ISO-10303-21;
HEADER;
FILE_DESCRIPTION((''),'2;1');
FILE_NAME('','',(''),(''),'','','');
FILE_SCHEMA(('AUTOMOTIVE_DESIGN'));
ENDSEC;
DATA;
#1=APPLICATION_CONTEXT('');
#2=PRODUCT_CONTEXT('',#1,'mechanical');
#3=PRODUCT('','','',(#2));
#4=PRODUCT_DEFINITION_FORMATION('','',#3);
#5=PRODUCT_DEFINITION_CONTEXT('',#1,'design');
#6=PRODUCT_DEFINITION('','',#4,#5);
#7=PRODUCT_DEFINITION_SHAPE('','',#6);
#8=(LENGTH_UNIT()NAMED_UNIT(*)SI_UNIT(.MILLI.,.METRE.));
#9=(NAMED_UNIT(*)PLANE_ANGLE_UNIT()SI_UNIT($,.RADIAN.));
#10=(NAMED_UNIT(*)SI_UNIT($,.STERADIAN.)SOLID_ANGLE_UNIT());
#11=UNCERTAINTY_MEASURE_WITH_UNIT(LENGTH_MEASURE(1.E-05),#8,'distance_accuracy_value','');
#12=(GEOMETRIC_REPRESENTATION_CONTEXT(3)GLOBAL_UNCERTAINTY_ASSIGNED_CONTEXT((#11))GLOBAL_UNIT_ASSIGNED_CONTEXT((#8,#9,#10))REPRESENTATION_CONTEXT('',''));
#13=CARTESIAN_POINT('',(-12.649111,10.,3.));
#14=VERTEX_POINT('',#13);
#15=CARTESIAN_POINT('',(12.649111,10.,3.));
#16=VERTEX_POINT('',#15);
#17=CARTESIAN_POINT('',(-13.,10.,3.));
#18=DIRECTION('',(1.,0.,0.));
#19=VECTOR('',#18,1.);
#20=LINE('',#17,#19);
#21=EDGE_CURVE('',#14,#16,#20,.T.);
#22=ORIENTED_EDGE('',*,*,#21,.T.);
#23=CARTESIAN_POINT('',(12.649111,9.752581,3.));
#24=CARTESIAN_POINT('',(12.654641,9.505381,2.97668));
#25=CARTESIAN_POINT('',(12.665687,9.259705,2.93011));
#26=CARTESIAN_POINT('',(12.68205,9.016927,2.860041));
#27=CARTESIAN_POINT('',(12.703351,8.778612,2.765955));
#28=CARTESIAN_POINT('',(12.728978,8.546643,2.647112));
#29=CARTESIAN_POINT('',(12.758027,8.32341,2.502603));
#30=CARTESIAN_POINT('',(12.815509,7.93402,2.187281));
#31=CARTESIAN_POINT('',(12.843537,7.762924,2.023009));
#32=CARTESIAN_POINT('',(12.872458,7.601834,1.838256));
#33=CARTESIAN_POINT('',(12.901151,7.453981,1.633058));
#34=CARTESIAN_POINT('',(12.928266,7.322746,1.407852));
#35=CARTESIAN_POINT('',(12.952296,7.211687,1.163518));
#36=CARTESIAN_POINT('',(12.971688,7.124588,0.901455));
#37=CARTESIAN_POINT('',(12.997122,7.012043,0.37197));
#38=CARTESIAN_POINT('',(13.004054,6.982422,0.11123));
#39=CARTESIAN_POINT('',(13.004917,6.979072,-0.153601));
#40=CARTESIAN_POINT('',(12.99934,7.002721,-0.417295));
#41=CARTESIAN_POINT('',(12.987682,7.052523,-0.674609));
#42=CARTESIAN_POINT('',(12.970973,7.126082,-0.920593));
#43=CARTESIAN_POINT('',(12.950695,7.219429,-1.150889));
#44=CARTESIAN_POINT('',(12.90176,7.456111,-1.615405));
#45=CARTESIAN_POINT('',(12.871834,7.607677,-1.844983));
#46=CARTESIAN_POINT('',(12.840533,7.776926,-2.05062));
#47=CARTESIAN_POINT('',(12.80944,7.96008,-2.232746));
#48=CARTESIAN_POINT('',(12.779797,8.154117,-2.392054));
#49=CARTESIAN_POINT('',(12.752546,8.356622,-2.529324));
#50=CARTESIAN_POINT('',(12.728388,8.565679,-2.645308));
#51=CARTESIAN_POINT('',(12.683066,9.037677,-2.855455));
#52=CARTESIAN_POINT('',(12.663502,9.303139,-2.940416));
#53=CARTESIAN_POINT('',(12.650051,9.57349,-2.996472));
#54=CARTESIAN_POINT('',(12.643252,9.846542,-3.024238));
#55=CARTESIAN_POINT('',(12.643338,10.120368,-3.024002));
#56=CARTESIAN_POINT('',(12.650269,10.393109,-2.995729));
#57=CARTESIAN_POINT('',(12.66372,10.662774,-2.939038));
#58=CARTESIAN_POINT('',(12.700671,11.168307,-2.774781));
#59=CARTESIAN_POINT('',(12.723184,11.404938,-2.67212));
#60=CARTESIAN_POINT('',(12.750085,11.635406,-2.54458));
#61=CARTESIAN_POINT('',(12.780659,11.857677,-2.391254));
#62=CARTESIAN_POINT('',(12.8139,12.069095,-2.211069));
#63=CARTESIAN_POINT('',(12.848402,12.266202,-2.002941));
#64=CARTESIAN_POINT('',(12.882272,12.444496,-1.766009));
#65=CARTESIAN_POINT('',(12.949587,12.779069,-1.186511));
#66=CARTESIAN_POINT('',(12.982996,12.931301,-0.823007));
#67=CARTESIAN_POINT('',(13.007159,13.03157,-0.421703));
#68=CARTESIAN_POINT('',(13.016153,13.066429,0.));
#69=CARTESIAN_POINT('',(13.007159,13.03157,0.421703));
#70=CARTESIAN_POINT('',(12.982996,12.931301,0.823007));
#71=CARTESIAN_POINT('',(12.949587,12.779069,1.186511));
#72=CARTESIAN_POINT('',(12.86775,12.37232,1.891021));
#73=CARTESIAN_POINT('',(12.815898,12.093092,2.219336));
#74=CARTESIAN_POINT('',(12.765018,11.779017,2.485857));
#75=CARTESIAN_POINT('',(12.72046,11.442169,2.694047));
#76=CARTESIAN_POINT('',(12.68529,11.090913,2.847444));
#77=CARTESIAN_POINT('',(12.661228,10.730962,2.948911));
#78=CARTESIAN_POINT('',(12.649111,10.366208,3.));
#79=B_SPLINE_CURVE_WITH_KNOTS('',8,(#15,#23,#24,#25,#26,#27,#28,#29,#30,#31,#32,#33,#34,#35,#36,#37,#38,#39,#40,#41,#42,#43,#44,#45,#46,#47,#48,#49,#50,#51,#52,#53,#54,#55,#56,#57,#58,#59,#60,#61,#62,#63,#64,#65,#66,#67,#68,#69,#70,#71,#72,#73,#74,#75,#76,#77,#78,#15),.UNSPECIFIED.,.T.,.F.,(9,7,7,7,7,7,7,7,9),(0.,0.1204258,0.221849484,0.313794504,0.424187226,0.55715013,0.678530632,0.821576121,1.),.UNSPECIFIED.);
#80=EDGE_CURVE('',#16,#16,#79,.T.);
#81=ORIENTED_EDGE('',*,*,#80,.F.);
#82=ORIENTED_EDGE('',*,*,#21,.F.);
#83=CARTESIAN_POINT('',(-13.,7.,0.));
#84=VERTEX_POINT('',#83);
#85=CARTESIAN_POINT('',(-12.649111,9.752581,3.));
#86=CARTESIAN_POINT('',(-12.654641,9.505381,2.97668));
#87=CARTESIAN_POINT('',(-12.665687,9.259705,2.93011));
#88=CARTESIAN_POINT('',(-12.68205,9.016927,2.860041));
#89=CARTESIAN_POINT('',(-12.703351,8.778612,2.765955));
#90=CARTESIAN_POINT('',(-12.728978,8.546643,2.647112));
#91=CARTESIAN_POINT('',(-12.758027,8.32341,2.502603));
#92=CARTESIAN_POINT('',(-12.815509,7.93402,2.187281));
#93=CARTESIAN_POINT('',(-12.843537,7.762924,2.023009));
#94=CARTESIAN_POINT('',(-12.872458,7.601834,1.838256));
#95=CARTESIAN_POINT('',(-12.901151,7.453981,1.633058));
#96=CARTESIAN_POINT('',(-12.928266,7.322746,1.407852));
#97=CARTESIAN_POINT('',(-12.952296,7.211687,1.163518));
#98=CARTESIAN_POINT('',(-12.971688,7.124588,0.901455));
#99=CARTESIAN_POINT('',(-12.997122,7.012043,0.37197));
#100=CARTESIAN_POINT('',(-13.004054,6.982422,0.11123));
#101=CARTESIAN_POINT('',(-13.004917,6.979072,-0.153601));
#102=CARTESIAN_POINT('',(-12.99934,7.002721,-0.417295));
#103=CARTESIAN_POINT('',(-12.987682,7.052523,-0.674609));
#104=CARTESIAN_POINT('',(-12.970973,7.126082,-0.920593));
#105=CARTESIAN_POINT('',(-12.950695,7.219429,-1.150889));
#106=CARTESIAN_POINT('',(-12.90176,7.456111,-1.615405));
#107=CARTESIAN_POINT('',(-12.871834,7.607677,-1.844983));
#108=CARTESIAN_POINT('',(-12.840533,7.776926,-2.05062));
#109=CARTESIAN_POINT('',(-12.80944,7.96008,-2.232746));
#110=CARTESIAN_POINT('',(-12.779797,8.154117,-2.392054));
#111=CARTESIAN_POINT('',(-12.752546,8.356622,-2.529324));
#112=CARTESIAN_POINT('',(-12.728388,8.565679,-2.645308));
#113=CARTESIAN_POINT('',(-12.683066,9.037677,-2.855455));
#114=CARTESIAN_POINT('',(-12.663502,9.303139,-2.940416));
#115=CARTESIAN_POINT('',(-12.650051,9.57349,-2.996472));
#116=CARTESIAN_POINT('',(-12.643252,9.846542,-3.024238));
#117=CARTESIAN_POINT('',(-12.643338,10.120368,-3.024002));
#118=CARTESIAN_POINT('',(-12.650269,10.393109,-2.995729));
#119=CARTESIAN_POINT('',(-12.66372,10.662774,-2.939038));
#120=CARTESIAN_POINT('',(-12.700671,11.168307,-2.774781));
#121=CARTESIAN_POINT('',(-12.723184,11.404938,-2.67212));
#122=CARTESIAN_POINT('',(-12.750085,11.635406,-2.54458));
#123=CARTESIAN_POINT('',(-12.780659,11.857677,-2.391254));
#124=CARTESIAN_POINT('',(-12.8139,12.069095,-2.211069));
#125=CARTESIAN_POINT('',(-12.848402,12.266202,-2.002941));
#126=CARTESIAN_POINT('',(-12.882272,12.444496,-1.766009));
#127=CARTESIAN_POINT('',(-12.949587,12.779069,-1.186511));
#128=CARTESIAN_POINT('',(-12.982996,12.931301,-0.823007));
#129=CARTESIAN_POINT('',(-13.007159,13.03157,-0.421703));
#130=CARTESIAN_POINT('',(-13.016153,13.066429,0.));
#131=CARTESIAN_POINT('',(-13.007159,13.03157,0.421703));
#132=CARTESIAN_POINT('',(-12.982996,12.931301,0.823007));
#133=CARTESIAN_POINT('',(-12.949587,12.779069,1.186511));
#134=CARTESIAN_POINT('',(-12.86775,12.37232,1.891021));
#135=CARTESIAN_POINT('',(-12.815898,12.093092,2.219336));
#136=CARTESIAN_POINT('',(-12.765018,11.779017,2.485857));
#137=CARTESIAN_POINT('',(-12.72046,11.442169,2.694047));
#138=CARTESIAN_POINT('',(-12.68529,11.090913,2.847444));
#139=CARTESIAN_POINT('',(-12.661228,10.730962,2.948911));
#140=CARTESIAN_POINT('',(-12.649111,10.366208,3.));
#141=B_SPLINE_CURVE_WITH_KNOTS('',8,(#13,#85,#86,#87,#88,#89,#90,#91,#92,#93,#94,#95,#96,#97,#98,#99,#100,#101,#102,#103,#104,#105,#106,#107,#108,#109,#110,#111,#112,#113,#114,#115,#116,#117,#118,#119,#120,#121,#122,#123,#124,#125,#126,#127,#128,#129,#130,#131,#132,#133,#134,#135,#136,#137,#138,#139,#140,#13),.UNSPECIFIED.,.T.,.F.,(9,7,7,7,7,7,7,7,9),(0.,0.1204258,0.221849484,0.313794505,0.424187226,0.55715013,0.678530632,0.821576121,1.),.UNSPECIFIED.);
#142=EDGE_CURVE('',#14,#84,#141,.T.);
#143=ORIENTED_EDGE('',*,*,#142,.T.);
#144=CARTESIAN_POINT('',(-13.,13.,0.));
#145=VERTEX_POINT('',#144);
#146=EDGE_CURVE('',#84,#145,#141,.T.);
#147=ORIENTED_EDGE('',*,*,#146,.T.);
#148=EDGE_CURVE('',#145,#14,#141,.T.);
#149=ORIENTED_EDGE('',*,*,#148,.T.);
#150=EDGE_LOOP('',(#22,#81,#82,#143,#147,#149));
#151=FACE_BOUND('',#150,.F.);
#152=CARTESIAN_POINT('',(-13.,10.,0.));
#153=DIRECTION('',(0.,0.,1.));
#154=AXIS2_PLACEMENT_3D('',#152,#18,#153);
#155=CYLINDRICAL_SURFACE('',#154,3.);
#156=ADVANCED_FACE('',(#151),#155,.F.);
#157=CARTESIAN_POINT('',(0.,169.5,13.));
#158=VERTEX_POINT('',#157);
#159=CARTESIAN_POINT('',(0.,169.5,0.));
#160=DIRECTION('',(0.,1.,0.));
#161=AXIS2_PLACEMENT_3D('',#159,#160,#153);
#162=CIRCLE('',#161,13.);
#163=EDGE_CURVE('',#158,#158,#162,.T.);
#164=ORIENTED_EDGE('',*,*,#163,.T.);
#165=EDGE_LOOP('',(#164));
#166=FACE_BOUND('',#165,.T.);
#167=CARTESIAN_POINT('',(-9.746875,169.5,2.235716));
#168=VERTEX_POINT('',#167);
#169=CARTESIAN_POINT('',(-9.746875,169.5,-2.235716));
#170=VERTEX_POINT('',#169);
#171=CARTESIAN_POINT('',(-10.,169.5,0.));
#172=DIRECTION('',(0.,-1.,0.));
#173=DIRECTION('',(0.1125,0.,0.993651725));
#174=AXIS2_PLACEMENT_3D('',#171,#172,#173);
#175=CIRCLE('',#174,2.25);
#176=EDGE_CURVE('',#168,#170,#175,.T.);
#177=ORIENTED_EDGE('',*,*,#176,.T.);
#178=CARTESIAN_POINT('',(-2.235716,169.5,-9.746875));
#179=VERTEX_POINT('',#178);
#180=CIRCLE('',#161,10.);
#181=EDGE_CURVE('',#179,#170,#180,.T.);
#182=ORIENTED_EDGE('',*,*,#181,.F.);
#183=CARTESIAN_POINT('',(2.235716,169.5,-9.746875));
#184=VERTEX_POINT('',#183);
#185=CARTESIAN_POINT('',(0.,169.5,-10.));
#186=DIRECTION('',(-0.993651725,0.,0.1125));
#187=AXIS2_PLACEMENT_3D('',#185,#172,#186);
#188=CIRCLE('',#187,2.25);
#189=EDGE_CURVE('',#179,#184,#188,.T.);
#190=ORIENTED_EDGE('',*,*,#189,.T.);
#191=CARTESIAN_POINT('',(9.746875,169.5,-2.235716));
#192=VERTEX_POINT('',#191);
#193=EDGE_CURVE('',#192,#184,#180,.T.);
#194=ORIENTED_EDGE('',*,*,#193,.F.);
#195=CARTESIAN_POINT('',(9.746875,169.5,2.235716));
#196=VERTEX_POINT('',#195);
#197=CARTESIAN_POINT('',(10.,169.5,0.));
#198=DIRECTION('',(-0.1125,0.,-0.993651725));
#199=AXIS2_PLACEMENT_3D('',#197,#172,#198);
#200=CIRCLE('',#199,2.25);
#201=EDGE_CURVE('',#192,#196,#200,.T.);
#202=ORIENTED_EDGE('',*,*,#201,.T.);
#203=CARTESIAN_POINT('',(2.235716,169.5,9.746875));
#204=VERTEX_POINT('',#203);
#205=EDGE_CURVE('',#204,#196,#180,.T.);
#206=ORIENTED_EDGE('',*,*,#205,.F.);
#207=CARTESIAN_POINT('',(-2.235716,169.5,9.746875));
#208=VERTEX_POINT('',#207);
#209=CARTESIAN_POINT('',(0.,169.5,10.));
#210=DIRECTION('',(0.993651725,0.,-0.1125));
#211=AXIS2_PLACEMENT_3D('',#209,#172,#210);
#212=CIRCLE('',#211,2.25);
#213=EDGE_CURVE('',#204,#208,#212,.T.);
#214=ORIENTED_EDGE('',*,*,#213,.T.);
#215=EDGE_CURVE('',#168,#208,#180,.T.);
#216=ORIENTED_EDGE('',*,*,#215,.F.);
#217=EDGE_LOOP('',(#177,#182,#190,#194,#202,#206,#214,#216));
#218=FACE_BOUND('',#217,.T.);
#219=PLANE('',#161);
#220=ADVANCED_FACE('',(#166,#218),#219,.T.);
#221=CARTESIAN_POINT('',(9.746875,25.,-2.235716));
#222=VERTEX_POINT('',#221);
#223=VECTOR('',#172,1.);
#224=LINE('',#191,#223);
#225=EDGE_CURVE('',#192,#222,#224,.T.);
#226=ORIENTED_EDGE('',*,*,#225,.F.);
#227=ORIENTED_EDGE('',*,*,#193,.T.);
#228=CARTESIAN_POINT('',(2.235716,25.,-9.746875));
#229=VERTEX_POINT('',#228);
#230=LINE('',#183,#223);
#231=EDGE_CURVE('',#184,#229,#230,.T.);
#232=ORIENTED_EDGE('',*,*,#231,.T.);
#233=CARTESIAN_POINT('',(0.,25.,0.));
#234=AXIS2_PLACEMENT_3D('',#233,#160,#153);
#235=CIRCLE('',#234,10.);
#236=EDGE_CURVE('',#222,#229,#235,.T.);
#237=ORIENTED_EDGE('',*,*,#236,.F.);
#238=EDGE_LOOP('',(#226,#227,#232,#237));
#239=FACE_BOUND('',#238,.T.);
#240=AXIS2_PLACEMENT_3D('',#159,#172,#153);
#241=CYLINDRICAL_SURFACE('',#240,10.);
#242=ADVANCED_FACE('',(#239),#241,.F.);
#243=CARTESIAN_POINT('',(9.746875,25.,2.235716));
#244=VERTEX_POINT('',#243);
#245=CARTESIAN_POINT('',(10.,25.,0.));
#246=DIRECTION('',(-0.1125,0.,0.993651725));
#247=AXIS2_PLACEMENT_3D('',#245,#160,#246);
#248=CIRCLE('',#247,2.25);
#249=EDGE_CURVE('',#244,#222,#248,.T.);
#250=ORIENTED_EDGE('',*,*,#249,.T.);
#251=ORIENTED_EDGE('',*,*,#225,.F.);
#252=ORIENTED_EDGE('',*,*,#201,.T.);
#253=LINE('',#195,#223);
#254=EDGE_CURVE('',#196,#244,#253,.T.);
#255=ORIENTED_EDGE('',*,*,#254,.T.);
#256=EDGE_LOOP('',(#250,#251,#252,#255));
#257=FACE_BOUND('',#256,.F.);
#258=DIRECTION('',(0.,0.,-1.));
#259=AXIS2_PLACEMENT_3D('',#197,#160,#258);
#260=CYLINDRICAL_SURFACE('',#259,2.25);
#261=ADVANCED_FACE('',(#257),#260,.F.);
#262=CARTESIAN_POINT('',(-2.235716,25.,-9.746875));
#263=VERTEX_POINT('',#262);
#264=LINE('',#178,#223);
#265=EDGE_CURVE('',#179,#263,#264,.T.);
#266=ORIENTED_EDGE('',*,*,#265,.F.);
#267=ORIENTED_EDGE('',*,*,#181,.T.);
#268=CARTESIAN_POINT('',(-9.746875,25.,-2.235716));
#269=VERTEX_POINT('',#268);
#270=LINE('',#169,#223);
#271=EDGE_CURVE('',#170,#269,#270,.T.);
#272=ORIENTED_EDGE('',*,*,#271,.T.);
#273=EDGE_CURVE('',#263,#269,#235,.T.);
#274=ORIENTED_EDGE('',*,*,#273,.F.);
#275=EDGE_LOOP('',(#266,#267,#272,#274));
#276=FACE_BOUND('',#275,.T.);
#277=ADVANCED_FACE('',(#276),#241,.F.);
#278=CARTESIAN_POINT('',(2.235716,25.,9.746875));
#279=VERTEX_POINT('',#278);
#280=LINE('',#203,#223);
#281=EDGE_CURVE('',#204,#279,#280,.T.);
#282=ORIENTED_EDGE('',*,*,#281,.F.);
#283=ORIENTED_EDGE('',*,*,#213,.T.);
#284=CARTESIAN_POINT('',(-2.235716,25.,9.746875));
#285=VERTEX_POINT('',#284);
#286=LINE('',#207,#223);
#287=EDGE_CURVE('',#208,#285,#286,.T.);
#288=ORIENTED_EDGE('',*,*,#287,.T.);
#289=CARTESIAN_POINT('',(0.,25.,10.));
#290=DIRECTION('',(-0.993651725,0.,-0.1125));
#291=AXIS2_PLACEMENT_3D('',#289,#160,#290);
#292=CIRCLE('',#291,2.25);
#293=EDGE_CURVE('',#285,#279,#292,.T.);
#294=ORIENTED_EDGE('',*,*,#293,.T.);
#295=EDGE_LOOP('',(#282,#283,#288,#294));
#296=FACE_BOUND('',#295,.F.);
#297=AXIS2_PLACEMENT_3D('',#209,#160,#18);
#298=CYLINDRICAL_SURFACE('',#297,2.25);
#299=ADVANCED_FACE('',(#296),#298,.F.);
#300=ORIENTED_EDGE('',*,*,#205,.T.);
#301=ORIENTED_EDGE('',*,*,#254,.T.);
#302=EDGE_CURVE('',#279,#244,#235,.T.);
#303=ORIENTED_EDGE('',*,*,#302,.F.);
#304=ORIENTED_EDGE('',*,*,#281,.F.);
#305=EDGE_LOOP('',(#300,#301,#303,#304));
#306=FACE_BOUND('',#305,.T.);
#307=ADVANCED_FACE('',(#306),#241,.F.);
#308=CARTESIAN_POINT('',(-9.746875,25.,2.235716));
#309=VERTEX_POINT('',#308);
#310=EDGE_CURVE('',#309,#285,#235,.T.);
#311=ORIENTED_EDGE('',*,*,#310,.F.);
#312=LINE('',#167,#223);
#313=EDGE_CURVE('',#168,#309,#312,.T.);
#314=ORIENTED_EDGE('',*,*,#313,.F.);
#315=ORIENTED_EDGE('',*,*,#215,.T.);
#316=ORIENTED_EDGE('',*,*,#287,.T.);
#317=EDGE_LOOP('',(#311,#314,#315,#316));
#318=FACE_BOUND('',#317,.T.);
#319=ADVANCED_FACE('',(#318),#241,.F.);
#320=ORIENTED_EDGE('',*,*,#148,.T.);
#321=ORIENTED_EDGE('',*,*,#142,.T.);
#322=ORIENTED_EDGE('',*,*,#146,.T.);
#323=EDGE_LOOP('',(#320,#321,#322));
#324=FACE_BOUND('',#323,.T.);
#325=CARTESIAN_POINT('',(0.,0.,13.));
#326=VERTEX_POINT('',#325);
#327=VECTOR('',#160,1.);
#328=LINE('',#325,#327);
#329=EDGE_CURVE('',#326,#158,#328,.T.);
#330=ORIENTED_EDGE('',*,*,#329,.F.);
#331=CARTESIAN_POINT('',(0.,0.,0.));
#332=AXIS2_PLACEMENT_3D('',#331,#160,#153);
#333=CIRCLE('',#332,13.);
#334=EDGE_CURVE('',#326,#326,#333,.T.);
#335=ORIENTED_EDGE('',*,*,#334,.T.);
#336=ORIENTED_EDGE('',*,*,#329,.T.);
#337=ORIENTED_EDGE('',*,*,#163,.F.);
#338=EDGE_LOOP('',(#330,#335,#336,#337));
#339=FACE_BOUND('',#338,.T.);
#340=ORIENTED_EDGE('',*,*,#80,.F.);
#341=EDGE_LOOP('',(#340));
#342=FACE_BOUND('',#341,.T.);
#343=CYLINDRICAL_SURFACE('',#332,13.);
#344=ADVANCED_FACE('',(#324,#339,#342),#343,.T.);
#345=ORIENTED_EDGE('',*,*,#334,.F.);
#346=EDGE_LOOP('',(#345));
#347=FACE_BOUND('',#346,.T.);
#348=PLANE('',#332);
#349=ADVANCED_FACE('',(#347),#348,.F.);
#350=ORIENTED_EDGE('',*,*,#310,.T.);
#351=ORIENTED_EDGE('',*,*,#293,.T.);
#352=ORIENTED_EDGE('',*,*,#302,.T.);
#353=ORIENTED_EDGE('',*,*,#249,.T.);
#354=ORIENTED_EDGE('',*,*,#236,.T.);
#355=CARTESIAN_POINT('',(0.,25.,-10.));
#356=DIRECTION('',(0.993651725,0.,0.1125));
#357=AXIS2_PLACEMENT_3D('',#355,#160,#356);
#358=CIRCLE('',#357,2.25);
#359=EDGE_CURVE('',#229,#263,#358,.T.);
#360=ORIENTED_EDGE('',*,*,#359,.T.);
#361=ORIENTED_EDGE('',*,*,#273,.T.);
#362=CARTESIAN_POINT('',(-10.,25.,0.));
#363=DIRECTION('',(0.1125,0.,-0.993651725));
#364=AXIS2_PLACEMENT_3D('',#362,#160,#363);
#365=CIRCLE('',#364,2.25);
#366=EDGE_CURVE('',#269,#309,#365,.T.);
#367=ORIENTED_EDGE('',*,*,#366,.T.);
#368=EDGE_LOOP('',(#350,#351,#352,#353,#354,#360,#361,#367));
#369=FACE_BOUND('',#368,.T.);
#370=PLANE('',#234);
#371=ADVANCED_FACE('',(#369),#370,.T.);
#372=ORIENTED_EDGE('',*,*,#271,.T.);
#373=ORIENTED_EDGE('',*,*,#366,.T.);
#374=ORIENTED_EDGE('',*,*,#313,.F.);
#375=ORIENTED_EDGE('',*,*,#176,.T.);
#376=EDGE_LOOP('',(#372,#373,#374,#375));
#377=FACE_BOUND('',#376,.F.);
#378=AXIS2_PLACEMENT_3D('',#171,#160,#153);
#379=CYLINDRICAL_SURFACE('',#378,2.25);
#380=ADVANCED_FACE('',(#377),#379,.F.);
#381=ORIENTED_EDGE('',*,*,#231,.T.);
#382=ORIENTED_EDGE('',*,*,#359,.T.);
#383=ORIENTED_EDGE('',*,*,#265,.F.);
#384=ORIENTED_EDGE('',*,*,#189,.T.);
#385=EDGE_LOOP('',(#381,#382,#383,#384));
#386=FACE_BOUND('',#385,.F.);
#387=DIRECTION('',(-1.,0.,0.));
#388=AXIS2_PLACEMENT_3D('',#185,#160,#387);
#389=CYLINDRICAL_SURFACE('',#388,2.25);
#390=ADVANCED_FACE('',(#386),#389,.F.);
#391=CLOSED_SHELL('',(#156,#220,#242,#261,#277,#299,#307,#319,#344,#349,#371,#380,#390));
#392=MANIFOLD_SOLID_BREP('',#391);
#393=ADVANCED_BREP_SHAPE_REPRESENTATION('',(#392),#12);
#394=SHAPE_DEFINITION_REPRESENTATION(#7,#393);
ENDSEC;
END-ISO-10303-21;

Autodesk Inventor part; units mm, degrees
ref_plane "XZ Plane" through (0, 0, 0) normal (0, 1, 0) x (-1, 0, 0)
ref_plane "XY Plane" through (0, 0, 0) normal (0, 0, 1) x (1, 0, 0)
sketch "Sketch3" plane through (0, 0, 0) normal (1, 0, 0) x (0, 1, 0)
  line L0 (0, -2.6) -> (0, 15.6) projected
  line L1 (-33.9, 0) -> (203.4, 0) projected
  line L2 (0, 13) -> (169.5, 13)
  line L3 (169.5, 13) -> (169.5, 10)
  line L4 (169.5, 10) -> (25, 10)
  line L5 (25, 10) -> (25, 0)
  line L6 (0, 13) -> (0, 0)
  line L7 (25, 0) -> (0, 0)
  point P0 (0, 13)
  dimension "d10" = 169.5
  dimension "d13" = 10
  dimension "d14" = 13
  dimension "d15" = 25
  dimension "d17" = 3
revolve "Revolution1" add sketch "Sketch3" angle 360 about axis through (0, -10, 0) along (0, 1, 0)
ref_plane "Work Plane1" through (-13, 84.75, 0) normal (1, 0, 0) x (0, 1, 0)
sketch "Sketch4" plane through (-13, 84.75, 0) normal (1, 0, 0) x (0, 1, 0)
  line L0 (-84.75, -13) -> (-84.75, 13) projected
  line L1 (-118.65, 0) -> (118.65, 0) projected
  point P0 (-84.75, 0)
  point P1 (-74.75, 0)
  dimension "d18" = 10
hole "Hole1" at (-13, 10, 0) direction (1, 0, 0) diameter 6 end through all
sketch "Sketch5" plane through (0, 169.5, 0) normal (0, 1, 0) x (1, 0, 0)
  circle A0 centre (0, 0) radius 10 projected
  circle A1 centre (0, -10) radius 2.25
  line L0 (0, 18.2) -> (0, -18.2) projected
  point P0 (2.2357, -9.7469)
  point P1 (-2.2357, -9.7469)
  dimension "d26" = 4.5
extrude "Extrusion3" cut sketch "Sketch5" against normal up to surface (144.5 mm away) contours A1 L0 A0 | A0 L0 A1 picked at (0.5757, -10.6663) picked at (-0.5973, -10.6555)
pattern_circular "Circular Pattern1" count 4 over 360 about axis through (0, 97.25, 0) along (0, 1, 0) of "Extrusion3"
properties part number "Soporte de Marcador"
